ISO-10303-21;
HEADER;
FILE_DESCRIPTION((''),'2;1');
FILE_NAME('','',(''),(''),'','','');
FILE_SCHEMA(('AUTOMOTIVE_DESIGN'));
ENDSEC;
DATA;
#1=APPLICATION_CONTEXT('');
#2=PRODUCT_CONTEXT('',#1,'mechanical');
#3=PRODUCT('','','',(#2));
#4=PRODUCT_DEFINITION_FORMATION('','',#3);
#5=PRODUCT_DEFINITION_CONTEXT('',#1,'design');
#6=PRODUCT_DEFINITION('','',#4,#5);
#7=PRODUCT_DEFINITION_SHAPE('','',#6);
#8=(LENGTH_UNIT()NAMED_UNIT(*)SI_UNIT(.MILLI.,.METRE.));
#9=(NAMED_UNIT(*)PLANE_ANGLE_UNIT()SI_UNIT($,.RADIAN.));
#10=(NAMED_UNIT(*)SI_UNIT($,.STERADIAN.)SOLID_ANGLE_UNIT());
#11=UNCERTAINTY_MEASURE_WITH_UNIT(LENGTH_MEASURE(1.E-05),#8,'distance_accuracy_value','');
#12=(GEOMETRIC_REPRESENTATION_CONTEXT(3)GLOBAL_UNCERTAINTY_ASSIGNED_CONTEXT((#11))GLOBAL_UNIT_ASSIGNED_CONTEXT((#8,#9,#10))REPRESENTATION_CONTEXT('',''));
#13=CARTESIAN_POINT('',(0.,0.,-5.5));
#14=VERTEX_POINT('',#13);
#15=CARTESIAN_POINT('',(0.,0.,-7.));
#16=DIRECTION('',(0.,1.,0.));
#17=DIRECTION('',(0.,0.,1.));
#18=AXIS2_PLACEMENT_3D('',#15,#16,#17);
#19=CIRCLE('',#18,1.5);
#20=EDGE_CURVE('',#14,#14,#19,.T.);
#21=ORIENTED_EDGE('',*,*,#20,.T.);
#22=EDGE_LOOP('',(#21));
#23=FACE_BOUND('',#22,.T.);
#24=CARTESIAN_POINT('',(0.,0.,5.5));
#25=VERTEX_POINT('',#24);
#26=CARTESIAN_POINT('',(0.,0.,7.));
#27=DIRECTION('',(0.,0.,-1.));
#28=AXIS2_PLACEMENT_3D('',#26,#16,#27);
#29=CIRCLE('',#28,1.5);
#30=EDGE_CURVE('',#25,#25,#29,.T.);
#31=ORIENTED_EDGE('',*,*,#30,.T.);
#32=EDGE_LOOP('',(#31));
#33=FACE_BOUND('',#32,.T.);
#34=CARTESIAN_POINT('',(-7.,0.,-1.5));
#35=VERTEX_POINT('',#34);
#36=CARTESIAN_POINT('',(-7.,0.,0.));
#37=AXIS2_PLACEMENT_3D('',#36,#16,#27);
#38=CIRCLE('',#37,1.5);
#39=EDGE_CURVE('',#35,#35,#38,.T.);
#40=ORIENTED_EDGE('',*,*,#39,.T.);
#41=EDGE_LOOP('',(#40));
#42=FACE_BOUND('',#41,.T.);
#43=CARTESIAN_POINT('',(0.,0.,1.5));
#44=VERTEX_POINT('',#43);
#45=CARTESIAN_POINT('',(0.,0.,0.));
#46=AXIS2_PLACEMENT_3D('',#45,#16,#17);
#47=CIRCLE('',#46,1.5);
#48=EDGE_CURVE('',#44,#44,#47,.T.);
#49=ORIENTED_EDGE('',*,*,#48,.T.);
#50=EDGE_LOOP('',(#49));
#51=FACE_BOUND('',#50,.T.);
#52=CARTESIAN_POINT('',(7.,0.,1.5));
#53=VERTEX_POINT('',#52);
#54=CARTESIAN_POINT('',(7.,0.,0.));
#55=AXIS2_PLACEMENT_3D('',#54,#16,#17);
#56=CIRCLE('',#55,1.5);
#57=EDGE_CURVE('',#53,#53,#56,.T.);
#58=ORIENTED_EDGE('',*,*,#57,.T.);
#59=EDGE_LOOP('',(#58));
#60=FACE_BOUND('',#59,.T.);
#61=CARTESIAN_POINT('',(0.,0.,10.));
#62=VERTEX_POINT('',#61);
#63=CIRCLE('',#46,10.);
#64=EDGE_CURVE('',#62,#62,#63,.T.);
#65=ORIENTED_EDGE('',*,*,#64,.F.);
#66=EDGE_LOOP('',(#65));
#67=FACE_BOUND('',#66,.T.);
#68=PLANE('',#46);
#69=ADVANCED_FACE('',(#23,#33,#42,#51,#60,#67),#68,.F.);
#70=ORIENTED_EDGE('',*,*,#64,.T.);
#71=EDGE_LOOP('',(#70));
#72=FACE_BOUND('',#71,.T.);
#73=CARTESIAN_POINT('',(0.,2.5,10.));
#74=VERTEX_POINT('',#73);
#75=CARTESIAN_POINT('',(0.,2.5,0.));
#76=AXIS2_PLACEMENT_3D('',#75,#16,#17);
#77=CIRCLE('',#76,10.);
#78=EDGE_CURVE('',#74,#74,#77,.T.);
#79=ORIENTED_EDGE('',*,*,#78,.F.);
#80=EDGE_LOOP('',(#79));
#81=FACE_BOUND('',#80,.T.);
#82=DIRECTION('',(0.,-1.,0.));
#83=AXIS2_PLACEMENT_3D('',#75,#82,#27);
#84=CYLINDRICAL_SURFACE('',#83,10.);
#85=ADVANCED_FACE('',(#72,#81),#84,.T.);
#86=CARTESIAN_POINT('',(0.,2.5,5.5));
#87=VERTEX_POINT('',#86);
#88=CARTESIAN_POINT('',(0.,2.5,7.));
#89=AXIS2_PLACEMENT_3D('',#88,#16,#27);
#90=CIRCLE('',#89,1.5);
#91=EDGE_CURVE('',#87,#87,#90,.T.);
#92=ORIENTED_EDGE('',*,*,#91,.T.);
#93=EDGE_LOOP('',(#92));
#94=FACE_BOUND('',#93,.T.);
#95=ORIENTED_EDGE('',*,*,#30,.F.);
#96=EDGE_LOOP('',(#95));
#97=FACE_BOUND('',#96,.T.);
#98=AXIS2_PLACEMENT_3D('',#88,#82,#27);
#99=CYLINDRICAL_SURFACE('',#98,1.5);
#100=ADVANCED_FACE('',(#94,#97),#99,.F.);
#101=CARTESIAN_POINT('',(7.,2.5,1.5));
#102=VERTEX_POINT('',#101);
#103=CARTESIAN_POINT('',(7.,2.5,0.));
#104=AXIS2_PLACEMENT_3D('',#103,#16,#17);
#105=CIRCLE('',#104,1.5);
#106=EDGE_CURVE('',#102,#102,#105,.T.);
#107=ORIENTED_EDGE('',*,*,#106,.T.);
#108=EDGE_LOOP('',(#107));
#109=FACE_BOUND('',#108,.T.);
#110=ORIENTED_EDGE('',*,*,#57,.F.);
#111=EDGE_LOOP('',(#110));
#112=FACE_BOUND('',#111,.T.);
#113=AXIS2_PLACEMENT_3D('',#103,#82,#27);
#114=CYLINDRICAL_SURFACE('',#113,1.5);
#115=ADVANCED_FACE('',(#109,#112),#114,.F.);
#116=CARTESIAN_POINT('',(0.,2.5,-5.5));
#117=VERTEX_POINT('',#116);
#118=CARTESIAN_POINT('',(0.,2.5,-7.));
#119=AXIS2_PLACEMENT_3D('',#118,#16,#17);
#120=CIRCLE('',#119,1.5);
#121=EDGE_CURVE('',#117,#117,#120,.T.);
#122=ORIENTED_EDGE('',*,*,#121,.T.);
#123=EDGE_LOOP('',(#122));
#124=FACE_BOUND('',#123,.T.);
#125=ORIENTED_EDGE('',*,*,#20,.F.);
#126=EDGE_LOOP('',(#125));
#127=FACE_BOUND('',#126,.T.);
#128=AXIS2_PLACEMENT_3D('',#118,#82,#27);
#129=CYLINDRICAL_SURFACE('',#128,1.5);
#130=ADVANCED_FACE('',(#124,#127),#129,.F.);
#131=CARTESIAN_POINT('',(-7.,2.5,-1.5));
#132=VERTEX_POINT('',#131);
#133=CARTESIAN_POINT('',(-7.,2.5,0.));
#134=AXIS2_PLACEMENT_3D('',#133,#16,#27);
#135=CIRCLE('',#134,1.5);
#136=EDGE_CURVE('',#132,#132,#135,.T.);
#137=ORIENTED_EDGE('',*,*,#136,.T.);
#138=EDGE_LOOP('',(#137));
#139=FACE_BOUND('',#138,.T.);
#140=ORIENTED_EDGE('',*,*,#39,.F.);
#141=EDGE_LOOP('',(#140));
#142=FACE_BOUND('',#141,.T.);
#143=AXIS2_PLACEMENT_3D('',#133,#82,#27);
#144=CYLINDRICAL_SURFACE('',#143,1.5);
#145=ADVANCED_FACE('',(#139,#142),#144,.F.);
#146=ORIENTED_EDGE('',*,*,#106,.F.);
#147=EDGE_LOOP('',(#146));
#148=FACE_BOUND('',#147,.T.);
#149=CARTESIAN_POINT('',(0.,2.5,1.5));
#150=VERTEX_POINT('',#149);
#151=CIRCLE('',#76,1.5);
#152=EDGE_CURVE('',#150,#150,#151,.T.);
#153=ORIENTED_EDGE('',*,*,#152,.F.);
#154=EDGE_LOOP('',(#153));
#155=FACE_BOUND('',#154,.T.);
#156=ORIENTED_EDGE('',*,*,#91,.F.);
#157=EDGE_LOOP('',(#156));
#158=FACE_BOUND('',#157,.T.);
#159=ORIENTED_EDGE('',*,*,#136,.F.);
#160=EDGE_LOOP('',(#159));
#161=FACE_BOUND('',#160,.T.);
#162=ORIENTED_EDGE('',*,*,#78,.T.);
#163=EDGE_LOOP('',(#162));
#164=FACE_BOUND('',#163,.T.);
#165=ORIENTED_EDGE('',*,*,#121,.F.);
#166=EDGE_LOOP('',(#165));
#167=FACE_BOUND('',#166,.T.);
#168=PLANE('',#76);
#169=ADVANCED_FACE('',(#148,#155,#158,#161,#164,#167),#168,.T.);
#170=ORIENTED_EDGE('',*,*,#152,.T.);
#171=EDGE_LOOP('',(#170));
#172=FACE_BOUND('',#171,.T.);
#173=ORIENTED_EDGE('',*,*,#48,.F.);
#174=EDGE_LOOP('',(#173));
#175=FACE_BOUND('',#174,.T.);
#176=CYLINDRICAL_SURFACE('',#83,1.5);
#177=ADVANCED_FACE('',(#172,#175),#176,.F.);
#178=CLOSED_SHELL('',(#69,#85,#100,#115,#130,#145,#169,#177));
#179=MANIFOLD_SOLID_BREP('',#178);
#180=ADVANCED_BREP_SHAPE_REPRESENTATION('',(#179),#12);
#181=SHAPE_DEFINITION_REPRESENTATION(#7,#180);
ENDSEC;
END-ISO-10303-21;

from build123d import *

# Parameters (mm, degrees)
SKETCH_1_R      = 10
SKETCH_1_R_2    = 1.5
EXTRUDE_1_DEPTH = 2.5


with BuildPart() as part:
    # 草图1 → 凸台-拉伸1 (new body)
    with BuildSketch(Plane(origin=(0, 0, 0), x_dir=(1, 0, 0), z_dir=(0, 1, 0))):
        with Locations(Location((0, 0, 0), (0, 0, 270))):
            Circle(SKETCH_1_R)
        with Locations(Location((0, 7, 0), (0, 0, 270))):
            Circle(SKETCH_1_R_2, mode=Mode.SUBTRACT)
        with Locations(Location((7, 0, 0), (0, 0, 270))):
            Circle(SKETCH_1_R_2, mode=Mode.SUBTRACT)
        with Locations(Location((0, 0, 0), (0, 0, 270))):
            Circle(SKETCH_1_R_2, mode=Mode.SUBTRACT)
        with Locations(Location((0, -7, 0), (0, 0, 90))):
            Circle(SKETCH_1_R_2, mode=Mode.SUBTRACT)
        with Locations(Location((-7, 0, 0), (0, 0, 90))):
            Circle(SKETCH_1_R_2, mode=Mode.SUBTRACT)
    extrude(amount=EXTRUDE_1_DEPTH)


solid = part.part
